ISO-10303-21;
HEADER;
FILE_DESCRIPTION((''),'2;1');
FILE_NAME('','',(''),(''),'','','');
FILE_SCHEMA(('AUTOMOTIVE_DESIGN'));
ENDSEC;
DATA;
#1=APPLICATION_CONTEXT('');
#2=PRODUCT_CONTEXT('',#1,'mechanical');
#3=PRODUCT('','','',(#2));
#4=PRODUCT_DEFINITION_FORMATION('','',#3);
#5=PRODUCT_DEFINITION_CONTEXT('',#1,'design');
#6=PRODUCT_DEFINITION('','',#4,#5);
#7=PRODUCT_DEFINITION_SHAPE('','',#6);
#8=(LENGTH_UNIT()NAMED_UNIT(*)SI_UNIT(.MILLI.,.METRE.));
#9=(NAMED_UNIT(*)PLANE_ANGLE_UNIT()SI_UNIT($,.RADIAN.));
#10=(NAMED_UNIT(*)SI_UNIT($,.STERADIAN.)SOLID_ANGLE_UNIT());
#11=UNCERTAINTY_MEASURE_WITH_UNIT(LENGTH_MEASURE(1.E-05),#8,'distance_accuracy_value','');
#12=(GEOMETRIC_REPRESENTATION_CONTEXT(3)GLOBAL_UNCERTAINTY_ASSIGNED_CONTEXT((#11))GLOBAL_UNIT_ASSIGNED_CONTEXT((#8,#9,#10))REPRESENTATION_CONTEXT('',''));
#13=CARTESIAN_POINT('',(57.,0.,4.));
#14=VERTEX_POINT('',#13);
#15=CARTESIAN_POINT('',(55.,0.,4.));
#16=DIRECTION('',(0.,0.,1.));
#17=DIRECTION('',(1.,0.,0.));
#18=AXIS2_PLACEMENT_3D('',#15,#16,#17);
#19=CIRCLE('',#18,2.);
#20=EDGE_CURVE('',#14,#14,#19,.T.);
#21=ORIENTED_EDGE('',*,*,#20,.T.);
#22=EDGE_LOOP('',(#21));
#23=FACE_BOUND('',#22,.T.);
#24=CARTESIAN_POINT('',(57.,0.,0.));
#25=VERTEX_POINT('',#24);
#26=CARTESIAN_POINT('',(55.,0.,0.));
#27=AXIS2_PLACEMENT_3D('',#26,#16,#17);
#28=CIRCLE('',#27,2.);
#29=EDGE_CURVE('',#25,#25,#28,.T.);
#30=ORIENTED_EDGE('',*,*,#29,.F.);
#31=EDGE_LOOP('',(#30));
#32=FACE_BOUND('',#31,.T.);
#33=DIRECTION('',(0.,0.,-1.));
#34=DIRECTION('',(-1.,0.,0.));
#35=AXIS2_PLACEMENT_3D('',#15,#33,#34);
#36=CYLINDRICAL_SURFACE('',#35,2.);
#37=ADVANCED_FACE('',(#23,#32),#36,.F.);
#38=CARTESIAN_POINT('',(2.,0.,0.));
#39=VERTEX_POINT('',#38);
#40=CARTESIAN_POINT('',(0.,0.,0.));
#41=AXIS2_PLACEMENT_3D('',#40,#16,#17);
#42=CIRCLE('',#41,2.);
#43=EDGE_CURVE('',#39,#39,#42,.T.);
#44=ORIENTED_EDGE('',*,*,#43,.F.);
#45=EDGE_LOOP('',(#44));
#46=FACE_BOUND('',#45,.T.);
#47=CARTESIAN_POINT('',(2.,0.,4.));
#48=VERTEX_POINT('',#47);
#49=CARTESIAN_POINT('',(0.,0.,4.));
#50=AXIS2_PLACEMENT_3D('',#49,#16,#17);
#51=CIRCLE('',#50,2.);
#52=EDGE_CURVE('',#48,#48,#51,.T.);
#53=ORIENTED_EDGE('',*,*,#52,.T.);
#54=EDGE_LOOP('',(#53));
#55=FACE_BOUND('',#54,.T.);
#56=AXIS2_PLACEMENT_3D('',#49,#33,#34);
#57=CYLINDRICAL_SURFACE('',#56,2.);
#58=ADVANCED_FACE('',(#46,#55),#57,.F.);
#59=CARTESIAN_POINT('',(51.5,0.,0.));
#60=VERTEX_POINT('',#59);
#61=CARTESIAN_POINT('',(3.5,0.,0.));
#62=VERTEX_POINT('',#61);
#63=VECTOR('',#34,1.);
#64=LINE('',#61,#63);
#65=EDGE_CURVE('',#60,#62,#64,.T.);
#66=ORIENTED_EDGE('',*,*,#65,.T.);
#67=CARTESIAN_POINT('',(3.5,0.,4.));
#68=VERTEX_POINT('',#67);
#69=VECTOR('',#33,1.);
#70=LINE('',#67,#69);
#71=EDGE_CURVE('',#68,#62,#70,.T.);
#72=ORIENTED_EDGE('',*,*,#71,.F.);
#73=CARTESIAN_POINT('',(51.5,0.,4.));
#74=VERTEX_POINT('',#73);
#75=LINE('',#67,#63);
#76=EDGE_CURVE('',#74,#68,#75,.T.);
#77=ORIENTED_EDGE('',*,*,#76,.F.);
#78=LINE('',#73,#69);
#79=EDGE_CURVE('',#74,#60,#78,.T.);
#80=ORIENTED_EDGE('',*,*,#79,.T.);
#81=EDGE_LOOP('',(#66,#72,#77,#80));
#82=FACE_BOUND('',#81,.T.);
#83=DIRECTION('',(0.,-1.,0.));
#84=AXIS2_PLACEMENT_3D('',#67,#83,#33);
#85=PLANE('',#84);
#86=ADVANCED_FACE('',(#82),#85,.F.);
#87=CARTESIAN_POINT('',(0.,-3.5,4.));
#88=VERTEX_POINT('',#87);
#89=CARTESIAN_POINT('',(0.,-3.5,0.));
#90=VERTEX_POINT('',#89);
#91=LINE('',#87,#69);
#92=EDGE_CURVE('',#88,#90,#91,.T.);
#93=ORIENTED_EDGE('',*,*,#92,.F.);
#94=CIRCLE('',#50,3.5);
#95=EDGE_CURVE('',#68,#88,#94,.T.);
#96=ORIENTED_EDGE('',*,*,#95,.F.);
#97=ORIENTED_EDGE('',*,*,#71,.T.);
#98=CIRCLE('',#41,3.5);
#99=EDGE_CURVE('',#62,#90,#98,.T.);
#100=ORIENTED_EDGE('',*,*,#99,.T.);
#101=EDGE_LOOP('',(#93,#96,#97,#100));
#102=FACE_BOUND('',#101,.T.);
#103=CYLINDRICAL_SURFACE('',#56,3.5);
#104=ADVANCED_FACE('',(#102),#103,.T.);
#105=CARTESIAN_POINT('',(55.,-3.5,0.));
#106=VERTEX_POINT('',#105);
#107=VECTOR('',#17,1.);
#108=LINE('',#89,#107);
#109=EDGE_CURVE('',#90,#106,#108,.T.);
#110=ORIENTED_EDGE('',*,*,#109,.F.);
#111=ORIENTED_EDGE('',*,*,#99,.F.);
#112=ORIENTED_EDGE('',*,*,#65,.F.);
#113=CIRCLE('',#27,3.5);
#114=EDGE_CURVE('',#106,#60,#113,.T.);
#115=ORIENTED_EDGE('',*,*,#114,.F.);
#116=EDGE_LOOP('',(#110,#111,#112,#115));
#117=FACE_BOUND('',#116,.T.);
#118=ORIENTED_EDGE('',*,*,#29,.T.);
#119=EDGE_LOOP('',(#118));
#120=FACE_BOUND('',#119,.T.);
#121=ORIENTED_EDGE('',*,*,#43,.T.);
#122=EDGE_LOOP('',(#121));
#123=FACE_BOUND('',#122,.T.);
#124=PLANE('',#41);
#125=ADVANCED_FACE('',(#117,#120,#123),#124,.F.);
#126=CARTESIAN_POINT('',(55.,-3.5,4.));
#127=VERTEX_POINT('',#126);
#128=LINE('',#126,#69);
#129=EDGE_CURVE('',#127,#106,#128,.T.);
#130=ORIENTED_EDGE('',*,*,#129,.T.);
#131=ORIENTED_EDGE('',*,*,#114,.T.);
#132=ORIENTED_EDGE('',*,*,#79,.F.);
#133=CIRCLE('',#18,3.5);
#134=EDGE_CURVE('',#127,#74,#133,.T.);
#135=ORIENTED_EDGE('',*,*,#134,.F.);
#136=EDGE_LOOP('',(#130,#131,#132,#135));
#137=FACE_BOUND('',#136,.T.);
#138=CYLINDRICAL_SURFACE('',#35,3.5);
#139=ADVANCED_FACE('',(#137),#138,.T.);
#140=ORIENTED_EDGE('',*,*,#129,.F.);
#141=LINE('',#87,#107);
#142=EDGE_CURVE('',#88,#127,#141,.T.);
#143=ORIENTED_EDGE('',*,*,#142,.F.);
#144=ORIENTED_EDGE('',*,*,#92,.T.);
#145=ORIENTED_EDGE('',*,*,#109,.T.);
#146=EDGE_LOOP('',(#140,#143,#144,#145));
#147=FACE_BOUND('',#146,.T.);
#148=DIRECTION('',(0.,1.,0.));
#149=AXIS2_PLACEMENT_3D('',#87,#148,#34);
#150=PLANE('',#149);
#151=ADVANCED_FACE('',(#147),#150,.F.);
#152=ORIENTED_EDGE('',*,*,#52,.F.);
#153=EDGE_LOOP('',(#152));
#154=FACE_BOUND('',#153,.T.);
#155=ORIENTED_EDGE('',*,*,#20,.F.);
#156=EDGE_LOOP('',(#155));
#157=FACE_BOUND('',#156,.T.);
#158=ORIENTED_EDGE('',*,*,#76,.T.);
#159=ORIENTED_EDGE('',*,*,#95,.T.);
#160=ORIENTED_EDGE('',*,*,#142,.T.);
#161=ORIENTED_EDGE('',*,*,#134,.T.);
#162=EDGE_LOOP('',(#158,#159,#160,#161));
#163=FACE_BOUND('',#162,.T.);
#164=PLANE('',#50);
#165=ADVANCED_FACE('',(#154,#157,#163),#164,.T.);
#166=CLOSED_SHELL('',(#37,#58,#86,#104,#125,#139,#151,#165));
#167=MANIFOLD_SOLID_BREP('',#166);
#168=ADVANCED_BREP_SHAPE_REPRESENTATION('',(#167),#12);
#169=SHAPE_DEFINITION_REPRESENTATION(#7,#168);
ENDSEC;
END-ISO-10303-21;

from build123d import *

# Parameters (mm, degrees)
SKETCH_1_R      = 2
EXTRUDE_1_DEPTH = 4


with BuildPart() as part:
    # ｽｹｯﾁ1 → ﾎﾞｽ - 押し出し1 (new body)
    with BuildSketch(Plane.XY):
        with BuildLine():
            Line((0, -3.5), (55, -3.5))
            ThreePointArc((55, -3.5), (57.474873734, 2.474873734), (51.5, 0))
            Line((51.5, 0), (3.5, 0))
            ThreePointArc((3.5, 0), (-2.474873734, 2.474873734), (0, -3.5))
        make_face()
        Circle(SKETCH_1_R, mode=Mode.SUBTRACT)
        with Locations((55, 0)):
            Circle(SKETCH_1_R, mode=Mode.SUBTRACT)
    extrude(amount=EXTRUDE_1_DEPTH)


solid = part.part
